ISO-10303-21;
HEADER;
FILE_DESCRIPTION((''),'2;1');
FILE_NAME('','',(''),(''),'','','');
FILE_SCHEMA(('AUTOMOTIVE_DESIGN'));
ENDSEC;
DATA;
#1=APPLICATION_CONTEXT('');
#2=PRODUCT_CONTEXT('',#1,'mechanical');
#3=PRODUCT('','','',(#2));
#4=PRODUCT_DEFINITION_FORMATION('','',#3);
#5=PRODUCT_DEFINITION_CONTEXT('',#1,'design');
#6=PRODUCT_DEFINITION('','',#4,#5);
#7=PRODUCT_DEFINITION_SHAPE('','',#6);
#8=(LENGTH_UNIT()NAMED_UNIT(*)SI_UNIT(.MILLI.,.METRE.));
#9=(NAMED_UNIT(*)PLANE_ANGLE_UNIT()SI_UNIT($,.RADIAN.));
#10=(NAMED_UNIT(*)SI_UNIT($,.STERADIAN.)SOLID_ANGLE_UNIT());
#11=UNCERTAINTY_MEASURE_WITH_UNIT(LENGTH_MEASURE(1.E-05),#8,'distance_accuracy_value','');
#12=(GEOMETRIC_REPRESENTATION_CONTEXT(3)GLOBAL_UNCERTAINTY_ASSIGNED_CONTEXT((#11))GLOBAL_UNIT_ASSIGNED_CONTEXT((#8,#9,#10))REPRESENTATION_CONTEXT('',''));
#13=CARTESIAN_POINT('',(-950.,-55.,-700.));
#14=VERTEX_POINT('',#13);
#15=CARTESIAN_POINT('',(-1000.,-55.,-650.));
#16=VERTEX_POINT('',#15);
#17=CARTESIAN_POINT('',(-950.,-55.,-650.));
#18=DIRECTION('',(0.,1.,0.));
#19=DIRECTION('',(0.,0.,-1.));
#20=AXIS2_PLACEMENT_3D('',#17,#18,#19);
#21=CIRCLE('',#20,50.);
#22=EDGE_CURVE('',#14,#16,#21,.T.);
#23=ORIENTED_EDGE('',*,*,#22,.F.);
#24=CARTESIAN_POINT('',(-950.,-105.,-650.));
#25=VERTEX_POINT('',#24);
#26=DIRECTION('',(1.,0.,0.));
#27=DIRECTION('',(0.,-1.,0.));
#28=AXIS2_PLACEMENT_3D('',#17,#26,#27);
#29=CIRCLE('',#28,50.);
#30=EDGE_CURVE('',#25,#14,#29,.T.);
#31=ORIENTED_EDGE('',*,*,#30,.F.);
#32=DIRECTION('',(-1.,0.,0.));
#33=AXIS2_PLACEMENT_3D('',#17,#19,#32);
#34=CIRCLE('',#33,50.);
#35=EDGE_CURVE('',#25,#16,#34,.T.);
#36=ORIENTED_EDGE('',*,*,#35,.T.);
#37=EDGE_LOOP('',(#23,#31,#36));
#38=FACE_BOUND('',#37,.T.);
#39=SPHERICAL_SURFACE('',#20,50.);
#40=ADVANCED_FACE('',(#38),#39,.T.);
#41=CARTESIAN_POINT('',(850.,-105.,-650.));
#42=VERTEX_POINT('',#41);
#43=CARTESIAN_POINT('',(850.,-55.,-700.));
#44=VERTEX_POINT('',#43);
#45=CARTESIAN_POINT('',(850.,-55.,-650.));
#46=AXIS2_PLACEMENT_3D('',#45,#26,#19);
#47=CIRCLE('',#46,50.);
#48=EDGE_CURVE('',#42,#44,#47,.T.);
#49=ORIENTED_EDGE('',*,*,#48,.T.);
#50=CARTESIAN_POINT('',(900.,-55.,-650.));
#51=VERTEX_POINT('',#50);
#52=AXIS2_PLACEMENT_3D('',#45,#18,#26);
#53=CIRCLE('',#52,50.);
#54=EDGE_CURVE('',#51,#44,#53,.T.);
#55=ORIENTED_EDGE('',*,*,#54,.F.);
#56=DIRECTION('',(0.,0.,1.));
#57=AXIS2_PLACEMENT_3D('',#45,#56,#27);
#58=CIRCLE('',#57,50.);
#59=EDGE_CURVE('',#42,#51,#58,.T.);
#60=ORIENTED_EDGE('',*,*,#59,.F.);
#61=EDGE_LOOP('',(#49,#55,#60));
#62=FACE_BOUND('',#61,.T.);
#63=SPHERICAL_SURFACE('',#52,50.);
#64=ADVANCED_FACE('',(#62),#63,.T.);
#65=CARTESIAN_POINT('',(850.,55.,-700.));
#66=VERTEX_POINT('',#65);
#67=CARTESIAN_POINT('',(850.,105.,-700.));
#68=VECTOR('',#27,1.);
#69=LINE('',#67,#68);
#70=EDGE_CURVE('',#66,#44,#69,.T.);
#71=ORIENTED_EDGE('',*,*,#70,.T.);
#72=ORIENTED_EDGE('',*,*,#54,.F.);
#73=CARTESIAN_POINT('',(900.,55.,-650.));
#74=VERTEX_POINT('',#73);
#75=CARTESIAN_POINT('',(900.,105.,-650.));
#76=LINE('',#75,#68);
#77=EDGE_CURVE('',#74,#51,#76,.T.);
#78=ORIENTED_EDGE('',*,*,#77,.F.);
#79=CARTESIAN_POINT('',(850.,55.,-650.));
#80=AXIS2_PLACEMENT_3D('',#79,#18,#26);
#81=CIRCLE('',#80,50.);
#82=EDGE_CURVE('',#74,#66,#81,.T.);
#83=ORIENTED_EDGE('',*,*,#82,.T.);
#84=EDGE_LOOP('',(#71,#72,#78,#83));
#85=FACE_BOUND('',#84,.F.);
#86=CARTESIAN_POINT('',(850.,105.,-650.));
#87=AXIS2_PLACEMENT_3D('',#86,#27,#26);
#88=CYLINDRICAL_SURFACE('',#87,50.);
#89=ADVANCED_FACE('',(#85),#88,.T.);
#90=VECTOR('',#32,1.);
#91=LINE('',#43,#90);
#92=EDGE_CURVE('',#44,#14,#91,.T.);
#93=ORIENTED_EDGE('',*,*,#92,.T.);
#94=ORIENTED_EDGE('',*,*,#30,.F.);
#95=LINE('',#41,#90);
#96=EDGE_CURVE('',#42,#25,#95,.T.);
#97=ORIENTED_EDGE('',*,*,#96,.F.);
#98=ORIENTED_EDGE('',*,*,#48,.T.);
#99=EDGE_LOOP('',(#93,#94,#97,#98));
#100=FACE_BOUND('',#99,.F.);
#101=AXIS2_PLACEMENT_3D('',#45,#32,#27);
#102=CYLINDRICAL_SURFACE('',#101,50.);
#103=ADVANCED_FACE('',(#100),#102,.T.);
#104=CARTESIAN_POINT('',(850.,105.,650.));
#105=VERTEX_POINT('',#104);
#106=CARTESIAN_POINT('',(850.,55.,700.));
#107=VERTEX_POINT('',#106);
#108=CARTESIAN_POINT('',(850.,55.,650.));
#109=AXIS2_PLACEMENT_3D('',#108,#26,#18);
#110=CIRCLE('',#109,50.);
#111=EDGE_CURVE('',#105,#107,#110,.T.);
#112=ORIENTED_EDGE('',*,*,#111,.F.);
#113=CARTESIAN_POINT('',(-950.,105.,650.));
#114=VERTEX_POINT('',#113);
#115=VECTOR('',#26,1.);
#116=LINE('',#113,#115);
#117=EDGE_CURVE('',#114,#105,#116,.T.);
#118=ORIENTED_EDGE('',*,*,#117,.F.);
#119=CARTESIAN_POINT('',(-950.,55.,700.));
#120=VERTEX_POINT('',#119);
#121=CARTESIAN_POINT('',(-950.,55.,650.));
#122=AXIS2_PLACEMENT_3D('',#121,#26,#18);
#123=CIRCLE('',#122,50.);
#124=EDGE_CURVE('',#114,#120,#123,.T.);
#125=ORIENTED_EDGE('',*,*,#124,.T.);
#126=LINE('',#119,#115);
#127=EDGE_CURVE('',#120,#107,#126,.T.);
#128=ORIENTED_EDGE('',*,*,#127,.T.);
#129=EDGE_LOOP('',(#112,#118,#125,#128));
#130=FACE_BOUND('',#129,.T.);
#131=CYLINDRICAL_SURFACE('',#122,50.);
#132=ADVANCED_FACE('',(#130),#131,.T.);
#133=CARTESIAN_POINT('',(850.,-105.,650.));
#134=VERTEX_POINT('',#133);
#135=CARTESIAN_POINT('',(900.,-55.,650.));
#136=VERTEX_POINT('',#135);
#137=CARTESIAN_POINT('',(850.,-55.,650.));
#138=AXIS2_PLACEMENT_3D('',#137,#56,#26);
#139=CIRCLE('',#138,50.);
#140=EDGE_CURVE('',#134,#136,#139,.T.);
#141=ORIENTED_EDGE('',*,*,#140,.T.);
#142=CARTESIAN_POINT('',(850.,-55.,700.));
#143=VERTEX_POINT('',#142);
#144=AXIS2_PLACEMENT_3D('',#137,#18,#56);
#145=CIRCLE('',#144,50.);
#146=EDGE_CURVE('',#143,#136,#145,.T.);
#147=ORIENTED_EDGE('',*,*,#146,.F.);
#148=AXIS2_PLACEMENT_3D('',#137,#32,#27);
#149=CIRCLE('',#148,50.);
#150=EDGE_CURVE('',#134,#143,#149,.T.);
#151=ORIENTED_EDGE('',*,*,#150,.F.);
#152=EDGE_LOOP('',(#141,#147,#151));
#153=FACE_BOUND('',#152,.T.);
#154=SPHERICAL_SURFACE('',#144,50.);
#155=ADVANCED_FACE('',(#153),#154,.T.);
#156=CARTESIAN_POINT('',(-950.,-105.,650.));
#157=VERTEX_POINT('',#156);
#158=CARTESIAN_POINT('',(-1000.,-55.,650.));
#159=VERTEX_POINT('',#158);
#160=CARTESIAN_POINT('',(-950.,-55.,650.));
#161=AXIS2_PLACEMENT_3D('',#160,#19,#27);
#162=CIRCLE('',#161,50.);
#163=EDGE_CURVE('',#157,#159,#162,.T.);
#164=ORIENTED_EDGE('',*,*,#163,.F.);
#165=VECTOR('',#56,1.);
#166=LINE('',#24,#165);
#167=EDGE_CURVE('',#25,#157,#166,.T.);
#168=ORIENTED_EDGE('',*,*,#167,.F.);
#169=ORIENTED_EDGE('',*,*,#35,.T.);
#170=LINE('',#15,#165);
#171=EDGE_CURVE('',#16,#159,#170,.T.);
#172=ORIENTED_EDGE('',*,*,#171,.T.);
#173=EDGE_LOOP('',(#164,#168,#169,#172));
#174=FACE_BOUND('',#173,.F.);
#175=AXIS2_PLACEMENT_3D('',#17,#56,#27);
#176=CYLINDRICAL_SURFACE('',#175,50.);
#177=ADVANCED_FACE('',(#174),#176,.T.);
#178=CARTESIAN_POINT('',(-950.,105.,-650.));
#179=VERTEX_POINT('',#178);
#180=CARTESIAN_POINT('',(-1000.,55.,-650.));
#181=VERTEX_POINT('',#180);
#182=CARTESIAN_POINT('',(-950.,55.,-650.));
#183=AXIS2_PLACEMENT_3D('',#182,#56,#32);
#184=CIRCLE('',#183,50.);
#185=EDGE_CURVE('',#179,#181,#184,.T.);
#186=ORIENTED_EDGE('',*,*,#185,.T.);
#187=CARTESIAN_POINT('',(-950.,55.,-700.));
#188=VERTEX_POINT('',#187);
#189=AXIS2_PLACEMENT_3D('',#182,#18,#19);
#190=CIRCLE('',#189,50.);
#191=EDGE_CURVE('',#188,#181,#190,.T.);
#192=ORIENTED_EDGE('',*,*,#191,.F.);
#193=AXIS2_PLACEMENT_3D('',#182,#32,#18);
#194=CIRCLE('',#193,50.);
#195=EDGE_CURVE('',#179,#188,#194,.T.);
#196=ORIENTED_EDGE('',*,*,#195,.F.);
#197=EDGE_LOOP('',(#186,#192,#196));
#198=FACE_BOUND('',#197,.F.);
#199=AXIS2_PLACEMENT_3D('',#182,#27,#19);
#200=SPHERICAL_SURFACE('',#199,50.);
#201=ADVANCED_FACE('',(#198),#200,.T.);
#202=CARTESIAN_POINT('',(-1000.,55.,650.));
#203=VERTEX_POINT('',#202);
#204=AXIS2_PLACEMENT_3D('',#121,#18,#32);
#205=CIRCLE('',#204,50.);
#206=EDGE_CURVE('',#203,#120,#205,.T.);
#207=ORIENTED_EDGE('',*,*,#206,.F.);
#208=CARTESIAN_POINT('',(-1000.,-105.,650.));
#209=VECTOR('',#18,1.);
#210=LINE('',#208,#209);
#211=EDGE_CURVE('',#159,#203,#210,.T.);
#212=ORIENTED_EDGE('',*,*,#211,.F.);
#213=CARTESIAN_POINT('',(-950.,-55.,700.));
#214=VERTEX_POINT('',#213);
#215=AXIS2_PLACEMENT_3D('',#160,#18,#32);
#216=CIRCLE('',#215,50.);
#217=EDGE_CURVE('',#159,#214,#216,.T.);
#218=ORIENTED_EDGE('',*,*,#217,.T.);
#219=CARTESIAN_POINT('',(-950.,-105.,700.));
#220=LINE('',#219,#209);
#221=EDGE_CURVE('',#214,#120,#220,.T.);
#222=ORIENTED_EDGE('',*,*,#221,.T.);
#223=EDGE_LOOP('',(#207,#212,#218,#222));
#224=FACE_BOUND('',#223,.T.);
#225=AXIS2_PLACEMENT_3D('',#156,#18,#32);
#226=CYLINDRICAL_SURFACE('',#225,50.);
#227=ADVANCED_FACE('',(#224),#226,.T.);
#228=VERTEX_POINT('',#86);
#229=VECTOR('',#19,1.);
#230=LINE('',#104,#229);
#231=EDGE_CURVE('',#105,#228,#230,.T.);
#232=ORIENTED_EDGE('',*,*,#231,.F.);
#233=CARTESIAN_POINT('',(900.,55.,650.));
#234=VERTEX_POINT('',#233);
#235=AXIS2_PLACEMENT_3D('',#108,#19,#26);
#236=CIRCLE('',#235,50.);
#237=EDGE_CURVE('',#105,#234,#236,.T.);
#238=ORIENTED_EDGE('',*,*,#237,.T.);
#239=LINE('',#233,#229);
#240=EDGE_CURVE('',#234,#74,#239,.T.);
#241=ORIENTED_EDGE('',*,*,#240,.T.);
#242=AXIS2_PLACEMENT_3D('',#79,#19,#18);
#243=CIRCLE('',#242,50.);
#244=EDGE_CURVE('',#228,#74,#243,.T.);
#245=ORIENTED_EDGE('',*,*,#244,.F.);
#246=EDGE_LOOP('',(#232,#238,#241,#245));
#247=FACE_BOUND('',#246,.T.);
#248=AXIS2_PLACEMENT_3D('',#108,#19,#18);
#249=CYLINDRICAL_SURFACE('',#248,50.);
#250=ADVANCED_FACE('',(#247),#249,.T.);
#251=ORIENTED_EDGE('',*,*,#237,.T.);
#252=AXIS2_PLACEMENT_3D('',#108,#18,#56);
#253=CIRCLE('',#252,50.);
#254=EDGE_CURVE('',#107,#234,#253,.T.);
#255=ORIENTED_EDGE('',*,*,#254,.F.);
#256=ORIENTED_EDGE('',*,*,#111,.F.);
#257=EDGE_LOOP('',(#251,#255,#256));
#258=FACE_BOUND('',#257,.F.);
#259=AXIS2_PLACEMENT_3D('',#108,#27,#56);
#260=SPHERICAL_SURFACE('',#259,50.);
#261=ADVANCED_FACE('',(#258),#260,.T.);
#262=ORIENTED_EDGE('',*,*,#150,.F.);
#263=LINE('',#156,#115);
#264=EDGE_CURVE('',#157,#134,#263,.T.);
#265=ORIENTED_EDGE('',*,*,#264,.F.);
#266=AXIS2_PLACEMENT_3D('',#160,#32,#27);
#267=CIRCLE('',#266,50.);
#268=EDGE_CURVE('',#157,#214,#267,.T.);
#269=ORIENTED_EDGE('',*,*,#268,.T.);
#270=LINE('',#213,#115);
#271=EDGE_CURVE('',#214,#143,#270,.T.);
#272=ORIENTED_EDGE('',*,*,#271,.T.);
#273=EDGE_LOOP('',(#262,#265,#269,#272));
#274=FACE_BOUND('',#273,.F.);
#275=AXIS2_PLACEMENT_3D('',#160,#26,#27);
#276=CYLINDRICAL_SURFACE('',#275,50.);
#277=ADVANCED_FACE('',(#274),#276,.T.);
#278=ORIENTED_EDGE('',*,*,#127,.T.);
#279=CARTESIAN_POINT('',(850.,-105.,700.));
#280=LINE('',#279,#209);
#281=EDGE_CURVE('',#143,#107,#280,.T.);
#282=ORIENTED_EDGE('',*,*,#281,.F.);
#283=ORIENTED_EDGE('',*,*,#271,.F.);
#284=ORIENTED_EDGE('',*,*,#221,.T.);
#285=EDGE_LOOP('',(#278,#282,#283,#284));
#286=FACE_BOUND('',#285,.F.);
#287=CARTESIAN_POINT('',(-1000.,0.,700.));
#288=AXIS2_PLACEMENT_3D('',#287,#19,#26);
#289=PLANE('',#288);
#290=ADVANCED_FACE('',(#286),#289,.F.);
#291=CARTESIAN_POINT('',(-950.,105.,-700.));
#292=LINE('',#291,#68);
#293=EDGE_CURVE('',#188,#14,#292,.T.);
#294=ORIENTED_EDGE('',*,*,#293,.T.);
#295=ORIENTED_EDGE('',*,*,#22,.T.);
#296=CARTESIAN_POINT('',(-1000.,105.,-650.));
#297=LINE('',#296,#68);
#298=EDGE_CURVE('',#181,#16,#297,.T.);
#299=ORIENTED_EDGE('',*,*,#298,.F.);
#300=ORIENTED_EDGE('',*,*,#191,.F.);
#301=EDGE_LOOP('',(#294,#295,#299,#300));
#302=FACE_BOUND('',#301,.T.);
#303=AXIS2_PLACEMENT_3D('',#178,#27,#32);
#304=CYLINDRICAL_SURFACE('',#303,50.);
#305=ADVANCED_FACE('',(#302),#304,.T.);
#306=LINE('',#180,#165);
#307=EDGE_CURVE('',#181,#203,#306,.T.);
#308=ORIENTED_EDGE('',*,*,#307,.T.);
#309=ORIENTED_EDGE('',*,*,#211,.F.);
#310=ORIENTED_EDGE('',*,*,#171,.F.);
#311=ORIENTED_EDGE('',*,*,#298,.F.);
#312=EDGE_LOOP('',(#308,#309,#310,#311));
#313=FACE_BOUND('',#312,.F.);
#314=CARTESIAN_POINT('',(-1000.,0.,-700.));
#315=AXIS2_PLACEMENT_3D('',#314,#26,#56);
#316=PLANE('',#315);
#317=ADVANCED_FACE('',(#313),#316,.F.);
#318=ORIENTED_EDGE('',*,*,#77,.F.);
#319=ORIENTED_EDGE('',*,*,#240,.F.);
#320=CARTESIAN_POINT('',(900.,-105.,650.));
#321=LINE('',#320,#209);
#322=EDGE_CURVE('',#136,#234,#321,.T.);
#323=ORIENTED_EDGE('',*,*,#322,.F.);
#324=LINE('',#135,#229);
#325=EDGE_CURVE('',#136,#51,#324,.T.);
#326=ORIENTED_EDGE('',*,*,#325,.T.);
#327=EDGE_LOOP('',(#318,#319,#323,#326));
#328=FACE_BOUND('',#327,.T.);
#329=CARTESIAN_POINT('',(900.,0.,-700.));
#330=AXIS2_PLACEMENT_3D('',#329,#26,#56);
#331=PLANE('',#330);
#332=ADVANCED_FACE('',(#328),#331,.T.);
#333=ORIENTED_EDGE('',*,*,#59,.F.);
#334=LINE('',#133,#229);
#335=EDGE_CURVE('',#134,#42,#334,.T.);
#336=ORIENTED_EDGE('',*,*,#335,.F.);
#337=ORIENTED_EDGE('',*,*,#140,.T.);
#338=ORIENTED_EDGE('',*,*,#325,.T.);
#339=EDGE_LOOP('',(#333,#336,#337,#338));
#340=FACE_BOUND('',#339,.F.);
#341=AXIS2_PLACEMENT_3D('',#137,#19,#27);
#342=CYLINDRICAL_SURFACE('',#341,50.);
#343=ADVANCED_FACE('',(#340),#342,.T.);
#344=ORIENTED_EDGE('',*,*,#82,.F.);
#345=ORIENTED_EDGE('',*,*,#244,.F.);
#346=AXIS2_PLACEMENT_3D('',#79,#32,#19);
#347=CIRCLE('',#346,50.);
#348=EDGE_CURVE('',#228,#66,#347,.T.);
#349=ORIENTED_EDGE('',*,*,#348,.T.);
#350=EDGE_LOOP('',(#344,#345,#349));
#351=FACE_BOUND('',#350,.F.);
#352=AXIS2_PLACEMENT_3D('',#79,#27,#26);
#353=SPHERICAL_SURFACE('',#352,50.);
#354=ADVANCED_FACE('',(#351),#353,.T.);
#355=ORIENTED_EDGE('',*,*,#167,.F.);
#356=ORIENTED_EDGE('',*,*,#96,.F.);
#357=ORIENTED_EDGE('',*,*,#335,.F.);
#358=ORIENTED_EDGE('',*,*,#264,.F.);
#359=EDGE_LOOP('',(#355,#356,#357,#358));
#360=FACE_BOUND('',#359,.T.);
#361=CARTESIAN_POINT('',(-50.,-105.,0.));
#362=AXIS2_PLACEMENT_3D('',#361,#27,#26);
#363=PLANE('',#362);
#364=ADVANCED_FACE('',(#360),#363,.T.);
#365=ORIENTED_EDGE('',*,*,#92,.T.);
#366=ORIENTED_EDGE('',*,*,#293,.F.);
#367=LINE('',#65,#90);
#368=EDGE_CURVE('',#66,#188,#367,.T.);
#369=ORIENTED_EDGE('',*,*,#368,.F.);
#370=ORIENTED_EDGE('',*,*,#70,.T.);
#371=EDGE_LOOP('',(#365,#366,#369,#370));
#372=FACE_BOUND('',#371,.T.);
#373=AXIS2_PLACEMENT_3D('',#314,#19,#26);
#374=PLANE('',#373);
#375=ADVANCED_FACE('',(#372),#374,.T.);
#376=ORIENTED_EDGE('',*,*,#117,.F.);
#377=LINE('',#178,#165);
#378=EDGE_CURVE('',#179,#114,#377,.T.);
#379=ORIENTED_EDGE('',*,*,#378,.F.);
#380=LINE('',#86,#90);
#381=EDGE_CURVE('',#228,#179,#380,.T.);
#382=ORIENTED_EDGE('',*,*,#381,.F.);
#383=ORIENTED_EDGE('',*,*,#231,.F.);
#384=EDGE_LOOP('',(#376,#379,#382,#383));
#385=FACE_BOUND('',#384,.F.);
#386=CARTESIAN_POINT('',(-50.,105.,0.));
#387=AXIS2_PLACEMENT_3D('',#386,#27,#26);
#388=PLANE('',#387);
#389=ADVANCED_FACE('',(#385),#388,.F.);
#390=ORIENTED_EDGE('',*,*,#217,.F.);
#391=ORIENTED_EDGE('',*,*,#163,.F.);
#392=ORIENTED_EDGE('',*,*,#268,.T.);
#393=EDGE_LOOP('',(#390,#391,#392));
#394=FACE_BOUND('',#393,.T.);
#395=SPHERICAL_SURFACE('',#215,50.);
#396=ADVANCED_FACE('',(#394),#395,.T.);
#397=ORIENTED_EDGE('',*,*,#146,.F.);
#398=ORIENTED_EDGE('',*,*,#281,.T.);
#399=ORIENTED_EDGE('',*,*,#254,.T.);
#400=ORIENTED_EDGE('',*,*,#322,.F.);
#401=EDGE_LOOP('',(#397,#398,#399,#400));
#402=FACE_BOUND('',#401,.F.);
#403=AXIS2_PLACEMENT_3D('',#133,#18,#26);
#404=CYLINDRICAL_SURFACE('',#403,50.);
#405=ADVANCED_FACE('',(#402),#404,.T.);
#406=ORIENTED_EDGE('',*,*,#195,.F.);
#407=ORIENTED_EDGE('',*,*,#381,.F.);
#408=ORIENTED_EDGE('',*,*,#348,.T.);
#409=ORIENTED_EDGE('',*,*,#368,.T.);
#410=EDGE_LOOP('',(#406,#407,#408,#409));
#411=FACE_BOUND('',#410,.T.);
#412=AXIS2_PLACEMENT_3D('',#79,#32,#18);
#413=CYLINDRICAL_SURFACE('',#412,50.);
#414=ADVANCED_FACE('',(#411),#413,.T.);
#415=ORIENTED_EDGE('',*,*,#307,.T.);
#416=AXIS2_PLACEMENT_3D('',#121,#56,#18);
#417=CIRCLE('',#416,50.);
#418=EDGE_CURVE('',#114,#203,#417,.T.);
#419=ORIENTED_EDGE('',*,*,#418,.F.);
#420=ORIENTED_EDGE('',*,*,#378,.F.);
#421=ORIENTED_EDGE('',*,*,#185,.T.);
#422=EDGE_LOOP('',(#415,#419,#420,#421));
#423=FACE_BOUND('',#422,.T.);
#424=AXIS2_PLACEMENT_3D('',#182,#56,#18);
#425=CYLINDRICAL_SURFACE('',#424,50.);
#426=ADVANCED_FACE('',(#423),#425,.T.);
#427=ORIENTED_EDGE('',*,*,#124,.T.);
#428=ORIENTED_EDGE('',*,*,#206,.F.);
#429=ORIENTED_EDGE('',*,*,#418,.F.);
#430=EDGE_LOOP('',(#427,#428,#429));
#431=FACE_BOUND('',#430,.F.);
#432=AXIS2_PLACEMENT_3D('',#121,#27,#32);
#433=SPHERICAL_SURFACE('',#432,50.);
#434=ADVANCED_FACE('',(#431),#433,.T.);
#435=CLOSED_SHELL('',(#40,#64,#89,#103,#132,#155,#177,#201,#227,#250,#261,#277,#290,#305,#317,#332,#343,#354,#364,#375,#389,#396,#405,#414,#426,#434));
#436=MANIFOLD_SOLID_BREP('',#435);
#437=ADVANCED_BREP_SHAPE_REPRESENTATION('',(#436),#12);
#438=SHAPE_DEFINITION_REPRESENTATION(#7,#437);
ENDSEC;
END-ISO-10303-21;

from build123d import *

# Parameters (mm, degrees)
F0_W     = 1900
F0_H     = 1400
F1_DEPTH = 105
F2_R     = 50
F3_R     = 50


with BuildPart() as f1:
    # F0 (on Front) → F1 (new body, symmetric)
    with BuildSketch(Plane.XZ):
        with Locations((-50, 0)):
            Rectangle(F0_W, F0_H)
    extrude(amount=F1_DEPTH, both=True)

    # F2
    f2_edges = [f1.edges().sort_by_distance(p)[0] for p in [
        (-1000, 0, 700),
        (900, 0, 700),
        (900, 0, -700),
        (-1000, 0, -700),
    ]]
    fillet(f2_edges, radius=F2_R)

    # F3
    f3_edges = [f1.edges().sort_by_distance(p)[0] for p in [
        (-50, -105, 700),
        (885.355339, -105, 685.355339),
        (-985.355339, -105, 685.355339),
        (900, -105, 0),
        (-1000, -105, 0),
        (885.355339, -105, -685.355339),
        (-985.355339, -105, -685.355339),
        (-50, -105, -700),
        (-50, 105, 700),
        (885.355339, 105, 685.355339),
        (-985.355339, 105, 685.355339),
        (900, 105, 0),
        (-1000, 105, 0),
        (885.355339, 105, -685.355339),
        (-985.355339, 105, -685.355339),
        (-50, 105, -700),
    ]]
    fillet(f3_edges, radius=F3_R)


solid = f1.part
